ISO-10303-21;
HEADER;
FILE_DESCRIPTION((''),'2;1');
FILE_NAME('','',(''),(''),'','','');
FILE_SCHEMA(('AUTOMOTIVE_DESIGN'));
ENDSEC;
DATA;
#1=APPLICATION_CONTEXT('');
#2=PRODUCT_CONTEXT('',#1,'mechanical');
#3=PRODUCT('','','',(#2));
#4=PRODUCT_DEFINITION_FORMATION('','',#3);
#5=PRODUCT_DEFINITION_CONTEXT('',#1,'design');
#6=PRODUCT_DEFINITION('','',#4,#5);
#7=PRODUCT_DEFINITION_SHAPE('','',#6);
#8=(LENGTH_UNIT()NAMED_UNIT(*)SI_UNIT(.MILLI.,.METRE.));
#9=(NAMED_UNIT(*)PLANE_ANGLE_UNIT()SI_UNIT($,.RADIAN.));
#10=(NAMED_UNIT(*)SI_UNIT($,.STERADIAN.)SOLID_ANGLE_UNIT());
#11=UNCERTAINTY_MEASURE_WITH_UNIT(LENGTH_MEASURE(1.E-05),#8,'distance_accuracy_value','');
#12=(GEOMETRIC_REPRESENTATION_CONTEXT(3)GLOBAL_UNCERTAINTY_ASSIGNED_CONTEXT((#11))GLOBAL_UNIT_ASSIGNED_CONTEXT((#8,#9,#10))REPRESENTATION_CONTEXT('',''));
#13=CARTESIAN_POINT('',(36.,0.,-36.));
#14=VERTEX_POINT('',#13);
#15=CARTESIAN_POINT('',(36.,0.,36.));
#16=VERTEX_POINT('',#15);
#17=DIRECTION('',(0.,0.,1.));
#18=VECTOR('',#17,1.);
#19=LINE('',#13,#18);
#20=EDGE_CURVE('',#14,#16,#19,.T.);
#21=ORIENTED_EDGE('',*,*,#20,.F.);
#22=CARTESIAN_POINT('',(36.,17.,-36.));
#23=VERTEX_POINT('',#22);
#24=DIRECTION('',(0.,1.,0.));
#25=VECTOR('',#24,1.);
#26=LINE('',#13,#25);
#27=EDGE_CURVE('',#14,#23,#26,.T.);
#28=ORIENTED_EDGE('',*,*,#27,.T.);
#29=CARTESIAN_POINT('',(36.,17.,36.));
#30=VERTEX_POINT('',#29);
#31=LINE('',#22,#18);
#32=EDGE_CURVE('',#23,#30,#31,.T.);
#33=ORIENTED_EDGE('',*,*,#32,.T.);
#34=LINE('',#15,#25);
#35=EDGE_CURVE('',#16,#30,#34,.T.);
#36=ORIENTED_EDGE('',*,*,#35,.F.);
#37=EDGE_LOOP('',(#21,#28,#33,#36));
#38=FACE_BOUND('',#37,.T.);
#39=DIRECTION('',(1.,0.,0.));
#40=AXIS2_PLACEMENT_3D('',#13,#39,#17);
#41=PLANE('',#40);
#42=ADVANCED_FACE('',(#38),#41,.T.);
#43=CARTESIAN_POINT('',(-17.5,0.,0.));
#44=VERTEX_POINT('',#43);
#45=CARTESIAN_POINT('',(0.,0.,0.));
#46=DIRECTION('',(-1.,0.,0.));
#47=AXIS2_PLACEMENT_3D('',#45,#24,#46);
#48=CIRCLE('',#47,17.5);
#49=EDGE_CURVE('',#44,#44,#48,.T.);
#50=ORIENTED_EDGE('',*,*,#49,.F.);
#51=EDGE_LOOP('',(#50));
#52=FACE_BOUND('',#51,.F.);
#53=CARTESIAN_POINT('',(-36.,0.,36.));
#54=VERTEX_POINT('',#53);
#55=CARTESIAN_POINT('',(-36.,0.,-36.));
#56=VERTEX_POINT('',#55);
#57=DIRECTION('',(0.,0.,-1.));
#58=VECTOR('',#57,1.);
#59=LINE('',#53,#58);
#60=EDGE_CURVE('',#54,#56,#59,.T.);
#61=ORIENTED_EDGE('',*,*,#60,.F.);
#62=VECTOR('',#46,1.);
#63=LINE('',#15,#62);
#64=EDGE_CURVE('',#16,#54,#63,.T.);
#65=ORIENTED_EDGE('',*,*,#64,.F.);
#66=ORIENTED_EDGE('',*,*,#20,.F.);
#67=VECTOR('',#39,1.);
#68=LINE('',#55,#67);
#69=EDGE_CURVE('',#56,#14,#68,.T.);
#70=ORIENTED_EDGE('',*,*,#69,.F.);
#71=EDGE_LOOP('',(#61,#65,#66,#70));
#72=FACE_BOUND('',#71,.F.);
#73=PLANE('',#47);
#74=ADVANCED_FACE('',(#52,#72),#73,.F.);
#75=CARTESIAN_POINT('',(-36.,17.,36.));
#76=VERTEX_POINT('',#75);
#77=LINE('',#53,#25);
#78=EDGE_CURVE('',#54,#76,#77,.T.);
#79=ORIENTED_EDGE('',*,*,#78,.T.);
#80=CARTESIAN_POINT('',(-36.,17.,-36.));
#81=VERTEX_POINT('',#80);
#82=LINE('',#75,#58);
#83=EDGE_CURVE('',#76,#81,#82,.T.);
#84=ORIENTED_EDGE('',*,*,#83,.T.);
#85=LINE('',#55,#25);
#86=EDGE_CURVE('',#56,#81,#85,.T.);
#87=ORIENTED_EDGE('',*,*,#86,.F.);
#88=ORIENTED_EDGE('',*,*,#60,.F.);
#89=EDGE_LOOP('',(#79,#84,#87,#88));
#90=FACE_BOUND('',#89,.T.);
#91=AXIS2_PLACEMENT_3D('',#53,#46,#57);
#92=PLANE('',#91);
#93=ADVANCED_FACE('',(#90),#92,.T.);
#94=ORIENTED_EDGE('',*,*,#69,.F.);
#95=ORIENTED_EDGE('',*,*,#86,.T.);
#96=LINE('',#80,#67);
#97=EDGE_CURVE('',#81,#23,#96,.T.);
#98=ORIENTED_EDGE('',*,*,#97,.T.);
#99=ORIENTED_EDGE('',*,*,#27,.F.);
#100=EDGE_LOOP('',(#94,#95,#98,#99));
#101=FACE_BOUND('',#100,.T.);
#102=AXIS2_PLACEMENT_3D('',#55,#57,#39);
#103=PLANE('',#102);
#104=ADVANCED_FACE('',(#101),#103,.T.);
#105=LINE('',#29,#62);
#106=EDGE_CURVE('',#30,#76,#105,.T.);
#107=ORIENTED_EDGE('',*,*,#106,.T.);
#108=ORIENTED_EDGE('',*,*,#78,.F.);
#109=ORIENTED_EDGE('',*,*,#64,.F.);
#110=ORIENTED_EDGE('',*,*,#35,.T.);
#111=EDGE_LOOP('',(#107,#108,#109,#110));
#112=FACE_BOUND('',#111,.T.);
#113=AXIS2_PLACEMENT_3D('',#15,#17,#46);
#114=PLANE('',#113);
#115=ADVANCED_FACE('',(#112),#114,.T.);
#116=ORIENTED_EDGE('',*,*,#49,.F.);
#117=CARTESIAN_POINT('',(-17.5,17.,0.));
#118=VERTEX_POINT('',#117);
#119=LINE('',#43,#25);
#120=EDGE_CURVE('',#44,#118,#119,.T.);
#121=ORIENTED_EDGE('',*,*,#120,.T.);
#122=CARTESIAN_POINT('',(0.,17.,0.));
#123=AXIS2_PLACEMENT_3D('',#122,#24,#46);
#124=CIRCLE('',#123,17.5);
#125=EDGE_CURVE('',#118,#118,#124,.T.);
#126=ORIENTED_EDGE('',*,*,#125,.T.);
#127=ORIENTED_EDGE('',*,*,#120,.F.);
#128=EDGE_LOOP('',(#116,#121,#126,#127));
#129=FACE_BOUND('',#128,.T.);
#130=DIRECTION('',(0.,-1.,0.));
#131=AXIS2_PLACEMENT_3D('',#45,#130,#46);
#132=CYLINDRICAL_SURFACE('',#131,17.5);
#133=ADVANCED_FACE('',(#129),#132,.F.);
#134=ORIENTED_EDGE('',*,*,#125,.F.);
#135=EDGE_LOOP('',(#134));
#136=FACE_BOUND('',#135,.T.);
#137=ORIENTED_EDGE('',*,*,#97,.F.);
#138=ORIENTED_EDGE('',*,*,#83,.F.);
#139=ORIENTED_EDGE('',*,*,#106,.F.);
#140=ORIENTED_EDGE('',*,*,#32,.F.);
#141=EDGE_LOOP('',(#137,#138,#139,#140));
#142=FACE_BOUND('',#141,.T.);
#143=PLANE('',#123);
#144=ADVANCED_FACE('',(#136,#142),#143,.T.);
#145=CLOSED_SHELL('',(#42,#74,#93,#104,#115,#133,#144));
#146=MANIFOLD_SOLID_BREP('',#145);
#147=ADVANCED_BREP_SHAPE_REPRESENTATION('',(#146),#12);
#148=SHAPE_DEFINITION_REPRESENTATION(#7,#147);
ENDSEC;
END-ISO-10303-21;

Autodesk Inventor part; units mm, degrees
sketch "スケッチ1" plane through (0, 0, 0) normal (0, 1, 0) x (-1, 0, 0)
  circle A0 centre (0, 0) radius 17.5
  line L0 (36, -36) -> (-36, -36)
  line L1 (-36, -36) -> (-36, 36)
  line L2 (-36, 36) -> (36, 36)
  line L3 (36, 36) -> (36, -36)
  line L4 (36, -36) -> (-36, 36) construction
  line L5 (-36, -36) -> (36, 36) construction
  dimension "d0" = 35
  dimension "d1" = 72
  dimension "d2" = 72
extrude "押し出し1" add sketch "スケッチ1" along normal blind 17
properties part number "bearing3b"
